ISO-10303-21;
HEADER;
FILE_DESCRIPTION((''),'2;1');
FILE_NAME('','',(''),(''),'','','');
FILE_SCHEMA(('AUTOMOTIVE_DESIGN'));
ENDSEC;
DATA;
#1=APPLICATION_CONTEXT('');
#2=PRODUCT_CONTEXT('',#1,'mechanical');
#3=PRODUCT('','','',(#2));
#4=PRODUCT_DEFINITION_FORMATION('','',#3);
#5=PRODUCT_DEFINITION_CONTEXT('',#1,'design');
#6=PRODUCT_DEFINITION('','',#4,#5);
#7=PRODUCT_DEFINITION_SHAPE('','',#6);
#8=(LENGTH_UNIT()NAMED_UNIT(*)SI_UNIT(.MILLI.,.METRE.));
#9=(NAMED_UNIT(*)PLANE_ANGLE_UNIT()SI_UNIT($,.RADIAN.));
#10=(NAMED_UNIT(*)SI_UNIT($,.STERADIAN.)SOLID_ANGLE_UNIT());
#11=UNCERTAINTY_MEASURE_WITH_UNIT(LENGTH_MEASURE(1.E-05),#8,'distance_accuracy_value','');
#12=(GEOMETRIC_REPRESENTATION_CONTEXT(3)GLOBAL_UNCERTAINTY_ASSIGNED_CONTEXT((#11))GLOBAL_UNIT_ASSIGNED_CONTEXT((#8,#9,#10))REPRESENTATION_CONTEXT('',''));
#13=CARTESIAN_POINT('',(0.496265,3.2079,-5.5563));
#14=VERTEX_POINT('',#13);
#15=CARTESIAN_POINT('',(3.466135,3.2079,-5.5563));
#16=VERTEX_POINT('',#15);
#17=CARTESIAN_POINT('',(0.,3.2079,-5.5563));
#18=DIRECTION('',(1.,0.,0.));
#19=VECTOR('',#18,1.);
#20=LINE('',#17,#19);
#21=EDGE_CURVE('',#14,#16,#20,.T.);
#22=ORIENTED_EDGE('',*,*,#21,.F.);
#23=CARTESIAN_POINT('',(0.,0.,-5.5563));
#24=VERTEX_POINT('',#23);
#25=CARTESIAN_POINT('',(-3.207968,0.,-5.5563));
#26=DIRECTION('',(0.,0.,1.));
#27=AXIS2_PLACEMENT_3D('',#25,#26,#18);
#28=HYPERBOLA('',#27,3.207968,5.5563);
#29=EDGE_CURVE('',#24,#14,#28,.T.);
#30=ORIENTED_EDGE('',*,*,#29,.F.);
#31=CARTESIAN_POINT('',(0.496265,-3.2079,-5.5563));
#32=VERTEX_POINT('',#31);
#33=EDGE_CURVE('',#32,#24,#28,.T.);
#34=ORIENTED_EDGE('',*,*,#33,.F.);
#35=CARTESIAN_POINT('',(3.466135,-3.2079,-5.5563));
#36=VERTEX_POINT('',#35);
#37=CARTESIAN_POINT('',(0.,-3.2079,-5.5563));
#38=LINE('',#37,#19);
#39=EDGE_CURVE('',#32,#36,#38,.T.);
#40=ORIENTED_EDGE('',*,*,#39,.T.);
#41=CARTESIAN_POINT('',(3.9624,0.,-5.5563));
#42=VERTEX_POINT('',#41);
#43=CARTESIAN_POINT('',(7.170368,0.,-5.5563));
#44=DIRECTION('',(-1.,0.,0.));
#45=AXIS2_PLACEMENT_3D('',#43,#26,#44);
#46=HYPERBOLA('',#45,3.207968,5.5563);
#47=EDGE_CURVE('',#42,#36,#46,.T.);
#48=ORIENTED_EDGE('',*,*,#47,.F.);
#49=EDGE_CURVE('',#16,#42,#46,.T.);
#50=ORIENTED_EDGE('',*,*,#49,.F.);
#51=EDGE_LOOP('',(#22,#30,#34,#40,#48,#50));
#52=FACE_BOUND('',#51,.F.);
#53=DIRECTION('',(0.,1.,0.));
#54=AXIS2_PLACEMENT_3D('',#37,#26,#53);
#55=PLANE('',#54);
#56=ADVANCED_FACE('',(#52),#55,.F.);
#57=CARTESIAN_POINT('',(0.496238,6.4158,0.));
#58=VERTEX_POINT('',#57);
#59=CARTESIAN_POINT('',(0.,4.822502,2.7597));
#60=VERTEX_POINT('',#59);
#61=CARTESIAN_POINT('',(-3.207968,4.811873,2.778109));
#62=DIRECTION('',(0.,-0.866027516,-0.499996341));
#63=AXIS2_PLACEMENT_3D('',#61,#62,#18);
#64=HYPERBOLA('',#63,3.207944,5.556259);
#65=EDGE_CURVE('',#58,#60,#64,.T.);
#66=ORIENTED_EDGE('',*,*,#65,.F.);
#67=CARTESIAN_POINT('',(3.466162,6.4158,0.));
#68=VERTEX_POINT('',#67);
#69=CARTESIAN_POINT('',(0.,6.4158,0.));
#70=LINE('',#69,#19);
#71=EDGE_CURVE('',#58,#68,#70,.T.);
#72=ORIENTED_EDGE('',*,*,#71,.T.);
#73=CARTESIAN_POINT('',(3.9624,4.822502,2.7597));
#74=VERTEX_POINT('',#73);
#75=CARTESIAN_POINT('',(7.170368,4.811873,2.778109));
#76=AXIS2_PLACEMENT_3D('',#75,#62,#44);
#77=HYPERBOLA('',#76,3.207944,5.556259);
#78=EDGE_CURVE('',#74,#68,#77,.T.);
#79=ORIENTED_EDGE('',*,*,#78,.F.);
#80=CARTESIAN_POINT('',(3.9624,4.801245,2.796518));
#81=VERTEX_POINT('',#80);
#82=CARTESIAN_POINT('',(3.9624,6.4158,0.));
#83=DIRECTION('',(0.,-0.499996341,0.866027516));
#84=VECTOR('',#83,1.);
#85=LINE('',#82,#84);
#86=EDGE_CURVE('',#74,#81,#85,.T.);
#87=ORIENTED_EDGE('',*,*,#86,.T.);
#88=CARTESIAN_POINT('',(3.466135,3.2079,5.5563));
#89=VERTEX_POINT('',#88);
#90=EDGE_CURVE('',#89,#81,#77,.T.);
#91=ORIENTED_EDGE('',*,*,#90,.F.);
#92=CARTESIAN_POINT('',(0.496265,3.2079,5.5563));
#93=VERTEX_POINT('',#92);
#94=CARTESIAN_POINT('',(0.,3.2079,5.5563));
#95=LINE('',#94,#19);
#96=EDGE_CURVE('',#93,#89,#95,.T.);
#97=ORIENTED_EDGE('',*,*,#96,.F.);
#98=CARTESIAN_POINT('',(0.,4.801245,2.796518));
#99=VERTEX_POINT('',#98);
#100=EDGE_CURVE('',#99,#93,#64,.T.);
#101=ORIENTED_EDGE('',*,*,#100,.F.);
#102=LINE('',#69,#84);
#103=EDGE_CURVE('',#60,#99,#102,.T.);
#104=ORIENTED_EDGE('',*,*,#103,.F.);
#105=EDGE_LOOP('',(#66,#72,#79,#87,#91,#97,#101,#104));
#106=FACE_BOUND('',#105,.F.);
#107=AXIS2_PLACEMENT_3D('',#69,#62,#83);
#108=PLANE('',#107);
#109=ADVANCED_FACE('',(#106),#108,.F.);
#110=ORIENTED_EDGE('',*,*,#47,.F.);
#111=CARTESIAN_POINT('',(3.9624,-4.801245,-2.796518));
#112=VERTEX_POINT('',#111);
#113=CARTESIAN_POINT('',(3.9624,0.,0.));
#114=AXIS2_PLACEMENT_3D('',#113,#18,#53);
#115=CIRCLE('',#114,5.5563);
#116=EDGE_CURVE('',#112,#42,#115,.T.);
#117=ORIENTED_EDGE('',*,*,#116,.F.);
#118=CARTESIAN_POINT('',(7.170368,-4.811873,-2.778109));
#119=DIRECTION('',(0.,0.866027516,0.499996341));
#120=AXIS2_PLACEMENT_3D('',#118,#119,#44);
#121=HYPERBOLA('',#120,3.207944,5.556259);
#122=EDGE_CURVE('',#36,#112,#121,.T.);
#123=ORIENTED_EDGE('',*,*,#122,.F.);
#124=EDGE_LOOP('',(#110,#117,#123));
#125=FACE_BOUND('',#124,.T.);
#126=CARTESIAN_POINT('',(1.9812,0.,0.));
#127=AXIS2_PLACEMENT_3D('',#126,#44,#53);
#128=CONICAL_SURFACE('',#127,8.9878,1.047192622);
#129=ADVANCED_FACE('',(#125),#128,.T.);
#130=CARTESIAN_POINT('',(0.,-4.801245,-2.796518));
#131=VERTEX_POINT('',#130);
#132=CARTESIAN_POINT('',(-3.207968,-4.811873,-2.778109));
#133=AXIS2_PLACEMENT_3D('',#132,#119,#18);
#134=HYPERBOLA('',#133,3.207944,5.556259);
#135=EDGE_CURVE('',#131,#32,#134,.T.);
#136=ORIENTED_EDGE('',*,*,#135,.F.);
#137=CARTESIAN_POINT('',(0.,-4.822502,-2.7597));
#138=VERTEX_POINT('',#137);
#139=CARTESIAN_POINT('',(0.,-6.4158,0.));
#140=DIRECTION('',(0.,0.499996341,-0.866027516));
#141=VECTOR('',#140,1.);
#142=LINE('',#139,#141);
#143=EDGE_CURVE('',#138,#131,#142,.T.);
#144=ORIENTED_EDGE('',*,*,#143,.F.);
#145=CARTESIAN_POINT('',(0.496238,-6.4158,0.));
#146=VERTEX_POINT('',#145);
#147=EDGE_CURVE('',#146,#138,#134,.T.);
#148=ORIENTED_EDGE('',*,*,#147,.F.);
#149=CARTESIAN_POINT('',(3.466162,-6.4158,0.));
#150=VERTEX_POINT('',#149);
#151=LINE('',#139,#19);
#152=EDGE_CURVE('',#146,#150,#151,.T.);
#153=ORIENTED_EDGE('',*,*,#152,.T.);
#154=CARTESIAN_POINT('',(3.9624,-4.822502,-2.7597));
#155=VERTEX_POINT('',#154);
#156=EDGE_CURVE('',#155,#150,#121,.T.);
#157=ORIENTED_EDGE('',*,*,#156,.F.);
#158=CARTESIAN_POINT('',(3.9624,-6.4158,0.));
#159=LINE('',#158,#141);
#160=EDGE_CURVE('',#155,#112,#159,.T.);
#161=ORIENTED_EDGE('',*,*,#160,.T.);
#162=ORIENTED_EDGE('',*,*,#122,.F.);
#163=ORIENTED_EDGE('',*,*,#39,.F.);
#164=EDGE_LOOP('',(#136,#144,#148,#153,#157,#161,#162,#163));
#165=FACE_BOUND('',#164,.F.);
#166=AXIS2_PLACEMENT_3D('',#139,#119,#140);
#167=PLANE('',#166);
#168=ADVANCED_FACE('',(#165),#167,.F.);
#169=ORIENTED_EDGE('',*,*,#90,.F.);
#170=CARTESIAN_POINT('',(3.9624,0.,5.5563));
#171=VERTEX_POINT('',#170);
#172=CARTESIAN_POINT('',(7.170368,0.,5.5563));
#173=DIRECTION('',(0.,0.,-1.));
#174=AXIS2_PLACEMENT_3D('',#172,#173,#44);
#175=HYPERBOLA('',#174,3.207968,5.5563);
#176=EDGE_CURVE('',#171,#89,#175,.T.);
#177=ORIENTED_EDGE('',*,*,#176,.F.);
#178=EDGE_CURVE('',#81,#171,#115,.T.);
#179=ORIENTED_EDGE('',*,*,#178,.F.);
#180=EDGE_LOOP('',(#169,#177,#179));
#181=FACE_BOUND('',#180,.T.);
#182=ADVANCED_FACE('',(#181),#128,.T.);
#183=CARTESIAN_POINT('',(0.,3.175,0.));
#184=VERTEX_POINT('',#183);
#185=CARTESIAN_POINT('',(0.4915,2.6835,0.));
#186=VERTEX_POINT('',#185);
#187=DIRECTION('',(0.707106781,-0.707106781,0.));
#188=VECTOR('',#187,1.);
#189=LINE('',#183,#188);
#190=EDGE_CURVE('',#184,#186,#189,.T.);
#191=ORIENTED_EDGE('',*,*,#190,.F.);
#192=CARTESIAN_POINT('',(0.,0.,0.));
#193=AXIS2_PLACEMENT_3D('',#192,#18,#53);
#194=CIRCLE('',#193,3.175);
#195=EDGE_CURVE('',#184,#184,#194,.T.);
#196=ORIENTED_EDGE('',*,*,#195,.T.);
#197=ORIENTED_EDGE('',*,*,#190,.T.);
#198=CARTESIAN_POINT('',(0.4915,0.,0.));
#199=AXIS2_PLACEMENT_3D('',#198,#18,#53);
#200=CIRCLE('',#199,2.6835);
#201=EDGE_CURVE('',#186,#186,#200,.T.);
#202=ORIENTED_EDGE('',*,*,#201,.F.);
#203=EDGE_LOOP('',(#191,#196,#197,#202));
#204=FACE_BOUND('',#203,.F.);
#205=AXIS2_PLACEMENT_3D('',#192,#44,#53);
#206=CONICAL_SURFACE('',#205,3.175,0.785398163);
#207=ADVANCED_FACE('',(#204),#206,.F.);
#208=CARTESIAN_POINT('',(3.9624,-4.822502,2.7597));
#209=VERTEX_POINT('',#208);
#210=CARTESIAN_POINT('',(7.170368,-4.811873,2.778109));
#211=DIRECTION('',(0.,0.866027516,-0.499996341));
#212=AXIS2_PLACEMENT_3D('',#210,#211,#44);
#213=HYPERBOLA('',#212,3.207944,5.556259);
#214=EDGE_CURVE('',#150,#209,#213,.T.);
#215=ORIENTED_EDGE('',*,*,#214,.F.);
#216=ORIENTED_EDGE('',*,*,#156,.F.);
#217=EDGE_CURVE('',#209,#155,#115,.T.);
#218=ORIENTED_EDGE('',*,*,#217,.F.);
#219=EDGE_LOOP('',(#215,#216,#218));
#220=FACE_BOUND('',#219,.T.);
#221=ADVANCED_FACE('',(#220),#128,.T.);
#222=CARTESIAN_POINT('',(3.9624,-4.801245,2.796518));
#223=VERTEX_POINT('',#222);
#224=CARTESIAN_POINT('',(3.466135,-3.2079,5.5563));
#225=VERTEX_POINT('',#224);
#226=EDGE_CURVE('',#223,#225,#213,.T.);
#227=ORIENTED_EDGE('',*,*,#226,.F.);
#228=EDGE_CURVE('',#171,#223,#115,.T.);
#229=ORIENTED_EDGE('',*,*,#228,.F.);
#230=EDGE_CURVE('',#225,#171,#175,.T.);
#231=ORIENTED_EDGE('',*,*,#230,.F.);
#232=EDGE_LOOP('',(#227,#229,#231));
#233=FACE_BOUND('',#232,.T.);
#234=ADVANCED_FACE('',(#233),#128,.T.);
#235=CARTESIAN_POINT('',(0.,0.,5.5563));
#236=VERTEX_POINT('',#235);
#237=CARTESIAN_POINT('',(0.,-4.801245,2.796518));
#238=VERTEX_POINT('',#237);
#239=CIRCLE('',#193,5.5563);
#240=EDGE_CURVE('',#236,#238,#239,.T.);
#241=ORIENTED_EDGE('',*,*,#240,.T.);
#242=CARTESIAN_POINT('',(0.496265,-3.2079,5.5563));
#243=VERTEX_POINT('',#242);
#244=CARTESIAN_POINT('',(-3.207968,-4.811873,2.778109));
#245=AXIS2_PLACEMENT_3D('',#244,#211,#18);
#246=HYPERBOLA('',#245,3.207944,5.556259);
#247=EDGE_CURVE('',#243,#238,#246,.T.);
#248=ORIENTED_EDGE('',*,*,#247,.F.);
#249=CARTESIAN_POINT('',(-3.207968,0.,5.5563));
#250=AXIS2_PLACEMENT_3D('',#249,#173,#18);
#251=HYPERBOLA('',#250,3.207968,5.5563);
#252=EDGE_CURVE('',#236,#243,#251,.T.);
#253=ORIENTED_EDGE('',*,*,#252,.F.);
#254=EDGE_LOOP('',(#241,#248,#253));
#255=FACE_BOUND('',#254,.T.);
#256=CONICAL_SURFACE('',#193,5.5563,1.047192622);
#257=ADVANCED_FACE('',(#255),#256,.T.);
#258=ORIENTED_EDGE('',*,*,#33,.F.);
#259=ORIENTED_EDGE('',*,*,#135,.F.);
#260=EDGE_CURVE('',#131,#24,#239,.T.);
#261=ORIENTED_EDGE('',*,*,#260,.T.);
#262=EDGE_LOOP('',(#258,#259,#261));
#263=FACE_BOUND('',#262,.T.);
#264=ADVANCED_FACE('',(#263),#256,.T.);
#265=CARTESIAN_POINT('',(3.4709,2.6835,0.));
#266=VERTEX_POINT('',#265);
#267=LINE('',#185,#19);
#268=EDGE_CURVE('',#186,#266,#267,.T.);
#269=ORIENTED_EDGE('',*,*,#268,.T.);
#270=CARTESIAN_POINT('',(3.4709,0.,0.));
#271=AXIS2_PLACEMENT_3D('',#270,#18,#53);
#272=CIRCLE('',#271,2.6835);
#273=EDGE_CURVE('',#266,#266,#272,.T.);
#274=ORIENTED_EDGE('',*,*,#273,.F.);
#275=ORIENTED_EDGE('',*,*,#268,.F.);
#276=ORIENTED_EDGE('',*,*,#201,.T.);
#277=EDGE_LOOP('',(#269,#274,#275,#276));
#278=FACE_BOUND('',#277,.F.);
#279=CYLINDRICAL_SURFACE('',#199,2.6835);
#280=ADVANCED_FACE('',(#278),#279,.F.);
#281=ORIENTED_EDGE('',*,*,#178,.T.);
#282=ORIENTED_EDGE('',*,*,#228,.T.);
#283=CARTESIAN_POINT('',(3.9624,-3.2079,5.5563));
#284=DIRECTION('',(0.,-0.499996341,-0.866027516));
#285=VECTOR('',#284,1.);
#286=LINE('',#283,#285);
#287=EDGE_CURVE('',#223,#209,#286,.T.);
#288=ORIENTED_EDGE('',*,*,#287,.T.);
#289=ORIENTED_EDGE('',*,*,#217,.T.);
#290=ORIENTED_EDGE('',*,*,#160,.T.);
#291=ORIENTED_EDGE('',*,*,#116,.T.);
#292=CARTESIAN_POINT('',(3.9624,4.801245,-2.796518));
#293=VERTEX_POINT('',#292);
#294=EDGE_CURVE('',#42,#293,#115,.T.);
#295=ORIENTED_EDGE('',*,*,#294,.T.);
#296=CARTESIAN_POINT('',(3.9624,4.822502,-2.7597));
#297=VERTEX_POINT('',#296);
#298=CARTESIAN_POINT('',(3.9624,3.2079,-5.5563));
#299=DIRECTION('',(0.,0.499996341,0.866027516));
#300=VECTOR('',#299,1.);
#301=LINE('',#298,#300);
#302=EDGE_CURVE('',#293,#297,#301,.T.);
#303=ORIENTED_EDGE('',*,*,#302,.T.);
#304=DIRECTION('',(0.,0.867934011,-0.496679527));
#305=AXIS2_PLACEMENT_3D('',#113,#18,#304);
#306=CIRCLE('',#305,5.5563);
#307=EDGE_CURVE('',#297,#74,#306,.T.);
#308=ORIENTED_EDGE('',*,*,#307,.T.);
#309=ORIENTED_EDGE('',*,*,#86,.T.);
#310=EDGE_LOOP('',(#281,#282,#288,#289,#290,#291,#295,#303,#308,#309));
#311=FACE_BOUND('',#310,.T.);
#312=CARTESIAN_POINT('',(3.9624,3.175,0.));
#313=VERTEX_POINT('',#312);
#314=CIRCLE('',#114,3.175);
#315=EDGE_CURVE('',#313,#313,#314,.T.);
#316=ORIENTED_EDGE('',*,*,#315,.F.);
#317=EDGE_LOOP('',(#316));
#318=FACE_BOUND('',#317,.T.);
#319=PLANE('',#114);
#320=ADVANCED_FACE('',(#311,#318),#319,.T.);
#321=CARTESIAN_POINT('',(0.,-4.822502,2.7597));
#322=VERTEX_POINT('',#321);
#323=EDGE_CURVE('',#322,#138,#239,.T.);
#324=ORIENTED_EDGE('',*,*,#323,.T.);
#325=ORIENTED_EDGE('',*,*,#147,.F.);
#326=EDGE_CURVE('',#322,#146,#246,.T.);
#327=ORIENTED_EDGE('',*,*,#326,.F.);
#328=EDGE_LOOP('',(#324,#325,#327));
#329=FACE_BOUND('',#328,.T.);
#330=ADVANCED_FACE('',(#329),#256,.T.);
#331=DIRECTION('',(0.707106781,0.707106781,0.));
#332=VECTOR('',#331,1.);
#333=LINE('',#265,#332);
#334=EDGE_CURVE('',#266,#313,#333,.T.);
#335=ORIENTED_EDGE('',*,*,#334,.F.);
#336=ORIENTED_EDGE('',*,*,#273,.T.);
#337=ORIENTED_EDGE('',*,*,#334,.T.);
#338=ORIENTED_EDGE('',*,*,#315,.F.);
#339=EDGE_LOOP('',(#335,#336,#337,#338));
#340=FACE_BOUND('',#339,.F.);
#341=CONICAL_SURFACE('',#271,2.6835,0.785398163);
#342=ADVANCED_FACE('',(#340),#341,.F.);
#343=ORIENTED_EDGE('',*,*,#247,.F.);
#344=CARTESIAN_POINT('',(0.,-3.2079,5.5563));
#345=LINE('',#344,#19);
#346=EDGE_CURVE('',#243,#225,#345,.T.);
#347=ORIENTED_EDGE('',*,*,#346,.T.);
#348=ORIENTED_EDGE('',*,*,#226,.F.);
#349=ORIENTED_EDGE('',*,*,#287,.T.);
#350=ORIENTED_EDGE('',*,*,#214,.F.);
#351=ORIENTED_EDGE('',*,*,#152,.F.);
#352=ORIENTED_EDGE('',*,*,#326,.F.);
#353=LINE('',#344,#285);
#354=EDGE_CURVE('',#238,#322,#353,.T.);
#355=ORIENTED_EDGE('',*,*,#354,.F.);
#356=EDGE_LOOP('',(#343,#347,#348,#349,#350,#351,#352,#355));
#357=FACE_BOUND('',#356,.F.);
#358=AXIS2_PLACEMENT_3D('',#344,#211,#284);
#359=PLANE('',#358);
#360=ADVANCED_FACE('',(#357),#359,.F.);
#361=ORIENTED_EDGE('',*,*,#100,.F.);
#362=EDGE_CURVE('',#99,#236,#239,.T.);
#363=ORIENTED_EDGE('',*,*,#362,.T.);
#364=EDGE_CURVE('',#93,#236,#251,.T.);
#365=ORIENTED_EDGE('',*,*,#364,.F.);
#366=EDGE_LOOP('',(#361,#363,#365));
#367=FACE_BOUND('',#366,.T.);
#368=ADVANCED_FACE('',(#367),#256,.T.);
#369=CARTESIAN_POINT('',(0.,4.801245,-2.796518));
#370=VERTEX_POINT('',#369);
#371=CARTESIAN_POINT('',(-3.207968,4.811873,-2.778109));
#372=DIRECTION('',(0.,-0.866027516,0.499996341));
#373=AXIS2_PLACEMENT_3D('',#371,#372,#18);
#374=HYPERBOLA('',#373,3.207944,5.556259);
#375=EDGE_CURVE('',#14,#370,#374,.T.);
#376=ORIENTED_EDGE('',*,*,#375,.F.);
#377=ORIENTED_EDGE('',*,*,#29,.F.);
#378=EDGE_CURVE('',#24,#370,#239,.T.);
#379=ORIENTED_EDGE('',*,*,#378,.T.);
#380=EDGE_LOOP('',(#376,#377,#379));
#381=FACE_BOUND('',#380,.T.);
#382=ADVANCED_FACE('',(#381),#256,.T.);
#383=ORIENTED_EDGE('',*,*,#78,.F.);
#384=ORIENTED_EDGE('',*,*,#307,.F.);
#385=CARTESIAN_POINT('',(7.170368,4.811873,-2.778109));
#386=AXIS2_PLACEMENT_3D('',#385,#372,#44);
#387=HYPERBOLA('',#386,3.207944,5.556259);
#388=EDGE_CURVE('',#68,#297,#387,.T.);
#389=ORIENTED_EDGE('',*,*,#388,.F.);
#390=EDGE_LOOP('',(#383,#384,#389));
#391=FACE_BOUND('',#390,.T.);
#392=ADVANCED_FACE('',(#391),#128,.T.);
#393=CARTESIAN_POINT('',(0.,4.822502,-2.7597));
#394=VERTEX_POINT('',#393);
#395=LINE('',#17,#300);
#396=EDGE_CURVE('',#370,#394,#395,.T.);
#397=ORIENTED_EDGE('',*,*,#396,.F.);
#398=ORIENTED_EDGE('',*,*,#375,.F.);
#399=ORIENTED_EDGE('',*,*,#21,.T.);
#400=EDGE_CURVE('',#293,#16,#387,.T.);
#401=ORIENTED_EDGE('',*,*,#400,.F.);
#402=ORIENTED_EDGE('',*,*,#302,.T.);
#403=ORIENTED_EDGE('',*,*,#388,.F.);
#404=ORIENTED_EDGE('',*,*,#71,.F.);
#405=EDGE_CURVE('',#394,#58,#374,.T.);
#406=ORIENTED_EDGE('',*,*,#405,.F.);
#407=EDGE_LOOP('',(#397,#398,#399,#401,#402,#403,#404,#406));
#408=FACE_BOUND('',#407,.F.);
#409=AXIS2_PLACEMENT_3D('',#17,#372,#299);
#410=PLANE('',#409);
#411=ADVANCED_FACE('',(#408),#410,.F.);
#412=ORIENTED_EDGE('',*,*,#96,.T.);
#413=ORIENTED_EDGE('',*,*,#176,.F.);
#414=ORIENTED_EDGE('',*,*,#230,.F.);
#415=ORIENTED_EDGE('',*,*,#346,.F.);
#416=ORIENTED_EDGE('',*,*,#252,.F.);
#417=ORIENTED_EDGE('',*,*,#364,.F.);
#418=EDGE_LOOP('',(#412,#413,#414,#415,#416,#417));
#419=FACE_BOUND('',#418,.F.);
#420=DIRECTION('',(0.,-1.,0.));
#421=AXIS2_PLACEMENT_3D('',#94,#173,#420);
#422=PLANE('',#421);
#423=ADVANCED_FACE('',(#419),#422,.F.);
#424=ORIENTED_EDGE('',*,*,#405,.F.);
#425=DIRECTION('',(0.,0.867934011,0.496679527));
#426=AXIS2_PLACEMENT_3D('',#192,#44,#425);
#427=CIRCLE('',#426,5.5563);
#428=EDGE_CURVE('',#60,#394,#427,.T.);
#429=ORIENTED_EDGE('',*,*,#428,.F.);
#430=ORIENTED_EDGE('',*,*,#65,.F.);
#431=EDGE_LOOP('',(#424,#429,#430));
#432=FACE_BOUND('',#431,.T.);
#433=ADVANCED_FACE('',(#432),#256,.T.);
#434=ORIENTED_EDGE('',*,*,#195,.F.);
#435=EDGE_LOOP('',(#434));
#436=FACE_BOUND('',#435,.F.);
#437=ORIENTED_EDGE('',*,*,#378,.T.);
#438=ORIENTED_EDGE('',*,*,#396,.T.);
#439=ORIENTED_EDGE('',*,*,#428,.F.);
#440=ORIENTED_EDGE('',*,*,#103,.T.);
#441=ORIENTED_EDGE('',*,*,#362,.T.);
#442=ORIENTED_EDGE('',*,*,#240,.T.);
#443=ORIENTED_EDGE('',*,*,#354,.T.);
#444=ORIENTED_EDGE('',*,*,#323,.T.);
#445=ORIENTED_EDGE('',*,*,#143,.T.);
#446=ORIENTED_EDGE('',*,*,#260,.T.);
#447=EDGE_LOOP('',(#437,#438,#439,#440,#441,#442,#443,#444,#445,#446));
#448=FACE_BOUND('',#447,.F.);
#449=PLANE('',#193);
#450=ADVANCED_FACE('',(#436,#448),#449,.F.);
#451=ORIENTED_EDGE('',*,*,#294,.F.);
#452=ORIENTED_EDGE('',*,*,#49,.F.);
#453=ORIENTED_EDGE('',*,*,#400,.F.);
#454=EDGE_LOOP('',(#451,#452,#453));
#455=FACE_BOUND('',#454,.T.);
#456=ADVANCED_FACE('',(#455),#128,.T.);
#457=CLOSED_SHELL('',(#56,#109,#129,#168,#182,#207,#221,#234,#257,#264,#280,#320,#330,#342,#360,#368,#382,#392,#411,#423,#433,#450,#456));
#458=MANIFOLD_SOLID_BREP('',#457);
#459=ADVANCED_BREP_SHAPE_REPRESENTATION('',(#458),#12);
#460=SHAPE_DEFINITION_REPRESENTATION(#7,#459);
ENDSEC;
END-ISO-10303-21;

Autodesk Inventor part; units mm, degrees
sketch "Sketch_1" plane through (0, 0, 0) normal (1, 0, 0) x (0, 1, 0)
  line L0 (-3.2079, 5.5563) -> (-6.4158, 0)
  line L1 (-6.4158, 0) -> (-3.2079, -5.5563)
  line L2 (-3.2079, -5.5563) -> (3.2079, -5.5563)
  line L3 (3.2079, -5.5563) -> (6.4158, 0)
  line L4 (6.4158, 0) -> (3.2079, 5.5563)
  line L5 (3.2079, 5.5563) -> (-3.2079, 5.5563)
extrude "Extrusion1" add sketch "Sketch_1" along normal blind 3.9624
sketch "Fine_Thread" plane through (0, 0, 0) normal (0, 0, 1) x (1, 0, 0)
  line L0 (3.9624, 0) -> (0, 0)
  line L1 (0, 0) -> (0, 3.175)
  line L2 (0, 3.175) -> (0.4915, 2.6835)
  line L3 (0.4915, 2.6835) -> (3.4709, 2.6835)
  line L4 (3.4709, 2.6835) -> (3.9624, 3.175)
  line L5 (3.9624, 3.175) -> (3.9624, 0)
  line L6 (3.9624, 0) -> (0, 0)
revolve "Revolution1" cut sketch "Fine_Thread" angle 360 about axis through (3.9624, 0, 0) along (1, 0, 0)
thread "Thread1" size "1/4-28 UNF" class "2B" standard "ANSI Unified Screw Threads" full length
sketch "Sketch_3" plane through (0, 0, 0) normal (0, 0, 1) x (1, 0, 0)
  line L0 (25.4, 0) -> (-25.4, 0)
  line L1 (-0.508, 5.5563) -> (0, 5.5563)
  line L2 (0, 5.5563) -> (1.9812, 8.9878)
  line L3 (1.9812, 8.9878) -> (3.9624, 5.5563)
  line L4 (3.9624, 5.5563) -> (4.4704, 5.5563)
  line L5 (4.4704, 5.5563) -> (4.4704, 56.3563)
  line L6 (4.4704, 56.3563) -> (-0.508, 56.3563)
  line L7 (-0.508, 56.3563) -> (-0.508, 5.5563)
revolve "Revolution2" cut sketch "Sketch_3" angle 360 about axis through (25.4, 0, 0) along (1, 0, 0)
ref_plane "conn_XY" through (0, 0, 0) normal (1, 0, 0) x (0, 0, -1)
ref_plane "conn_YZ" through (0, 0, 0) normal (0, 0, -1) x (0, 1, 0)
ref_plane "conn_ZX" through (0, 0, 0) normal (0, 1, 0) x (1, 0, 0)
properties part number "PN1972-015_NUT1/4-28-UNF" material "Stainless Steel"
